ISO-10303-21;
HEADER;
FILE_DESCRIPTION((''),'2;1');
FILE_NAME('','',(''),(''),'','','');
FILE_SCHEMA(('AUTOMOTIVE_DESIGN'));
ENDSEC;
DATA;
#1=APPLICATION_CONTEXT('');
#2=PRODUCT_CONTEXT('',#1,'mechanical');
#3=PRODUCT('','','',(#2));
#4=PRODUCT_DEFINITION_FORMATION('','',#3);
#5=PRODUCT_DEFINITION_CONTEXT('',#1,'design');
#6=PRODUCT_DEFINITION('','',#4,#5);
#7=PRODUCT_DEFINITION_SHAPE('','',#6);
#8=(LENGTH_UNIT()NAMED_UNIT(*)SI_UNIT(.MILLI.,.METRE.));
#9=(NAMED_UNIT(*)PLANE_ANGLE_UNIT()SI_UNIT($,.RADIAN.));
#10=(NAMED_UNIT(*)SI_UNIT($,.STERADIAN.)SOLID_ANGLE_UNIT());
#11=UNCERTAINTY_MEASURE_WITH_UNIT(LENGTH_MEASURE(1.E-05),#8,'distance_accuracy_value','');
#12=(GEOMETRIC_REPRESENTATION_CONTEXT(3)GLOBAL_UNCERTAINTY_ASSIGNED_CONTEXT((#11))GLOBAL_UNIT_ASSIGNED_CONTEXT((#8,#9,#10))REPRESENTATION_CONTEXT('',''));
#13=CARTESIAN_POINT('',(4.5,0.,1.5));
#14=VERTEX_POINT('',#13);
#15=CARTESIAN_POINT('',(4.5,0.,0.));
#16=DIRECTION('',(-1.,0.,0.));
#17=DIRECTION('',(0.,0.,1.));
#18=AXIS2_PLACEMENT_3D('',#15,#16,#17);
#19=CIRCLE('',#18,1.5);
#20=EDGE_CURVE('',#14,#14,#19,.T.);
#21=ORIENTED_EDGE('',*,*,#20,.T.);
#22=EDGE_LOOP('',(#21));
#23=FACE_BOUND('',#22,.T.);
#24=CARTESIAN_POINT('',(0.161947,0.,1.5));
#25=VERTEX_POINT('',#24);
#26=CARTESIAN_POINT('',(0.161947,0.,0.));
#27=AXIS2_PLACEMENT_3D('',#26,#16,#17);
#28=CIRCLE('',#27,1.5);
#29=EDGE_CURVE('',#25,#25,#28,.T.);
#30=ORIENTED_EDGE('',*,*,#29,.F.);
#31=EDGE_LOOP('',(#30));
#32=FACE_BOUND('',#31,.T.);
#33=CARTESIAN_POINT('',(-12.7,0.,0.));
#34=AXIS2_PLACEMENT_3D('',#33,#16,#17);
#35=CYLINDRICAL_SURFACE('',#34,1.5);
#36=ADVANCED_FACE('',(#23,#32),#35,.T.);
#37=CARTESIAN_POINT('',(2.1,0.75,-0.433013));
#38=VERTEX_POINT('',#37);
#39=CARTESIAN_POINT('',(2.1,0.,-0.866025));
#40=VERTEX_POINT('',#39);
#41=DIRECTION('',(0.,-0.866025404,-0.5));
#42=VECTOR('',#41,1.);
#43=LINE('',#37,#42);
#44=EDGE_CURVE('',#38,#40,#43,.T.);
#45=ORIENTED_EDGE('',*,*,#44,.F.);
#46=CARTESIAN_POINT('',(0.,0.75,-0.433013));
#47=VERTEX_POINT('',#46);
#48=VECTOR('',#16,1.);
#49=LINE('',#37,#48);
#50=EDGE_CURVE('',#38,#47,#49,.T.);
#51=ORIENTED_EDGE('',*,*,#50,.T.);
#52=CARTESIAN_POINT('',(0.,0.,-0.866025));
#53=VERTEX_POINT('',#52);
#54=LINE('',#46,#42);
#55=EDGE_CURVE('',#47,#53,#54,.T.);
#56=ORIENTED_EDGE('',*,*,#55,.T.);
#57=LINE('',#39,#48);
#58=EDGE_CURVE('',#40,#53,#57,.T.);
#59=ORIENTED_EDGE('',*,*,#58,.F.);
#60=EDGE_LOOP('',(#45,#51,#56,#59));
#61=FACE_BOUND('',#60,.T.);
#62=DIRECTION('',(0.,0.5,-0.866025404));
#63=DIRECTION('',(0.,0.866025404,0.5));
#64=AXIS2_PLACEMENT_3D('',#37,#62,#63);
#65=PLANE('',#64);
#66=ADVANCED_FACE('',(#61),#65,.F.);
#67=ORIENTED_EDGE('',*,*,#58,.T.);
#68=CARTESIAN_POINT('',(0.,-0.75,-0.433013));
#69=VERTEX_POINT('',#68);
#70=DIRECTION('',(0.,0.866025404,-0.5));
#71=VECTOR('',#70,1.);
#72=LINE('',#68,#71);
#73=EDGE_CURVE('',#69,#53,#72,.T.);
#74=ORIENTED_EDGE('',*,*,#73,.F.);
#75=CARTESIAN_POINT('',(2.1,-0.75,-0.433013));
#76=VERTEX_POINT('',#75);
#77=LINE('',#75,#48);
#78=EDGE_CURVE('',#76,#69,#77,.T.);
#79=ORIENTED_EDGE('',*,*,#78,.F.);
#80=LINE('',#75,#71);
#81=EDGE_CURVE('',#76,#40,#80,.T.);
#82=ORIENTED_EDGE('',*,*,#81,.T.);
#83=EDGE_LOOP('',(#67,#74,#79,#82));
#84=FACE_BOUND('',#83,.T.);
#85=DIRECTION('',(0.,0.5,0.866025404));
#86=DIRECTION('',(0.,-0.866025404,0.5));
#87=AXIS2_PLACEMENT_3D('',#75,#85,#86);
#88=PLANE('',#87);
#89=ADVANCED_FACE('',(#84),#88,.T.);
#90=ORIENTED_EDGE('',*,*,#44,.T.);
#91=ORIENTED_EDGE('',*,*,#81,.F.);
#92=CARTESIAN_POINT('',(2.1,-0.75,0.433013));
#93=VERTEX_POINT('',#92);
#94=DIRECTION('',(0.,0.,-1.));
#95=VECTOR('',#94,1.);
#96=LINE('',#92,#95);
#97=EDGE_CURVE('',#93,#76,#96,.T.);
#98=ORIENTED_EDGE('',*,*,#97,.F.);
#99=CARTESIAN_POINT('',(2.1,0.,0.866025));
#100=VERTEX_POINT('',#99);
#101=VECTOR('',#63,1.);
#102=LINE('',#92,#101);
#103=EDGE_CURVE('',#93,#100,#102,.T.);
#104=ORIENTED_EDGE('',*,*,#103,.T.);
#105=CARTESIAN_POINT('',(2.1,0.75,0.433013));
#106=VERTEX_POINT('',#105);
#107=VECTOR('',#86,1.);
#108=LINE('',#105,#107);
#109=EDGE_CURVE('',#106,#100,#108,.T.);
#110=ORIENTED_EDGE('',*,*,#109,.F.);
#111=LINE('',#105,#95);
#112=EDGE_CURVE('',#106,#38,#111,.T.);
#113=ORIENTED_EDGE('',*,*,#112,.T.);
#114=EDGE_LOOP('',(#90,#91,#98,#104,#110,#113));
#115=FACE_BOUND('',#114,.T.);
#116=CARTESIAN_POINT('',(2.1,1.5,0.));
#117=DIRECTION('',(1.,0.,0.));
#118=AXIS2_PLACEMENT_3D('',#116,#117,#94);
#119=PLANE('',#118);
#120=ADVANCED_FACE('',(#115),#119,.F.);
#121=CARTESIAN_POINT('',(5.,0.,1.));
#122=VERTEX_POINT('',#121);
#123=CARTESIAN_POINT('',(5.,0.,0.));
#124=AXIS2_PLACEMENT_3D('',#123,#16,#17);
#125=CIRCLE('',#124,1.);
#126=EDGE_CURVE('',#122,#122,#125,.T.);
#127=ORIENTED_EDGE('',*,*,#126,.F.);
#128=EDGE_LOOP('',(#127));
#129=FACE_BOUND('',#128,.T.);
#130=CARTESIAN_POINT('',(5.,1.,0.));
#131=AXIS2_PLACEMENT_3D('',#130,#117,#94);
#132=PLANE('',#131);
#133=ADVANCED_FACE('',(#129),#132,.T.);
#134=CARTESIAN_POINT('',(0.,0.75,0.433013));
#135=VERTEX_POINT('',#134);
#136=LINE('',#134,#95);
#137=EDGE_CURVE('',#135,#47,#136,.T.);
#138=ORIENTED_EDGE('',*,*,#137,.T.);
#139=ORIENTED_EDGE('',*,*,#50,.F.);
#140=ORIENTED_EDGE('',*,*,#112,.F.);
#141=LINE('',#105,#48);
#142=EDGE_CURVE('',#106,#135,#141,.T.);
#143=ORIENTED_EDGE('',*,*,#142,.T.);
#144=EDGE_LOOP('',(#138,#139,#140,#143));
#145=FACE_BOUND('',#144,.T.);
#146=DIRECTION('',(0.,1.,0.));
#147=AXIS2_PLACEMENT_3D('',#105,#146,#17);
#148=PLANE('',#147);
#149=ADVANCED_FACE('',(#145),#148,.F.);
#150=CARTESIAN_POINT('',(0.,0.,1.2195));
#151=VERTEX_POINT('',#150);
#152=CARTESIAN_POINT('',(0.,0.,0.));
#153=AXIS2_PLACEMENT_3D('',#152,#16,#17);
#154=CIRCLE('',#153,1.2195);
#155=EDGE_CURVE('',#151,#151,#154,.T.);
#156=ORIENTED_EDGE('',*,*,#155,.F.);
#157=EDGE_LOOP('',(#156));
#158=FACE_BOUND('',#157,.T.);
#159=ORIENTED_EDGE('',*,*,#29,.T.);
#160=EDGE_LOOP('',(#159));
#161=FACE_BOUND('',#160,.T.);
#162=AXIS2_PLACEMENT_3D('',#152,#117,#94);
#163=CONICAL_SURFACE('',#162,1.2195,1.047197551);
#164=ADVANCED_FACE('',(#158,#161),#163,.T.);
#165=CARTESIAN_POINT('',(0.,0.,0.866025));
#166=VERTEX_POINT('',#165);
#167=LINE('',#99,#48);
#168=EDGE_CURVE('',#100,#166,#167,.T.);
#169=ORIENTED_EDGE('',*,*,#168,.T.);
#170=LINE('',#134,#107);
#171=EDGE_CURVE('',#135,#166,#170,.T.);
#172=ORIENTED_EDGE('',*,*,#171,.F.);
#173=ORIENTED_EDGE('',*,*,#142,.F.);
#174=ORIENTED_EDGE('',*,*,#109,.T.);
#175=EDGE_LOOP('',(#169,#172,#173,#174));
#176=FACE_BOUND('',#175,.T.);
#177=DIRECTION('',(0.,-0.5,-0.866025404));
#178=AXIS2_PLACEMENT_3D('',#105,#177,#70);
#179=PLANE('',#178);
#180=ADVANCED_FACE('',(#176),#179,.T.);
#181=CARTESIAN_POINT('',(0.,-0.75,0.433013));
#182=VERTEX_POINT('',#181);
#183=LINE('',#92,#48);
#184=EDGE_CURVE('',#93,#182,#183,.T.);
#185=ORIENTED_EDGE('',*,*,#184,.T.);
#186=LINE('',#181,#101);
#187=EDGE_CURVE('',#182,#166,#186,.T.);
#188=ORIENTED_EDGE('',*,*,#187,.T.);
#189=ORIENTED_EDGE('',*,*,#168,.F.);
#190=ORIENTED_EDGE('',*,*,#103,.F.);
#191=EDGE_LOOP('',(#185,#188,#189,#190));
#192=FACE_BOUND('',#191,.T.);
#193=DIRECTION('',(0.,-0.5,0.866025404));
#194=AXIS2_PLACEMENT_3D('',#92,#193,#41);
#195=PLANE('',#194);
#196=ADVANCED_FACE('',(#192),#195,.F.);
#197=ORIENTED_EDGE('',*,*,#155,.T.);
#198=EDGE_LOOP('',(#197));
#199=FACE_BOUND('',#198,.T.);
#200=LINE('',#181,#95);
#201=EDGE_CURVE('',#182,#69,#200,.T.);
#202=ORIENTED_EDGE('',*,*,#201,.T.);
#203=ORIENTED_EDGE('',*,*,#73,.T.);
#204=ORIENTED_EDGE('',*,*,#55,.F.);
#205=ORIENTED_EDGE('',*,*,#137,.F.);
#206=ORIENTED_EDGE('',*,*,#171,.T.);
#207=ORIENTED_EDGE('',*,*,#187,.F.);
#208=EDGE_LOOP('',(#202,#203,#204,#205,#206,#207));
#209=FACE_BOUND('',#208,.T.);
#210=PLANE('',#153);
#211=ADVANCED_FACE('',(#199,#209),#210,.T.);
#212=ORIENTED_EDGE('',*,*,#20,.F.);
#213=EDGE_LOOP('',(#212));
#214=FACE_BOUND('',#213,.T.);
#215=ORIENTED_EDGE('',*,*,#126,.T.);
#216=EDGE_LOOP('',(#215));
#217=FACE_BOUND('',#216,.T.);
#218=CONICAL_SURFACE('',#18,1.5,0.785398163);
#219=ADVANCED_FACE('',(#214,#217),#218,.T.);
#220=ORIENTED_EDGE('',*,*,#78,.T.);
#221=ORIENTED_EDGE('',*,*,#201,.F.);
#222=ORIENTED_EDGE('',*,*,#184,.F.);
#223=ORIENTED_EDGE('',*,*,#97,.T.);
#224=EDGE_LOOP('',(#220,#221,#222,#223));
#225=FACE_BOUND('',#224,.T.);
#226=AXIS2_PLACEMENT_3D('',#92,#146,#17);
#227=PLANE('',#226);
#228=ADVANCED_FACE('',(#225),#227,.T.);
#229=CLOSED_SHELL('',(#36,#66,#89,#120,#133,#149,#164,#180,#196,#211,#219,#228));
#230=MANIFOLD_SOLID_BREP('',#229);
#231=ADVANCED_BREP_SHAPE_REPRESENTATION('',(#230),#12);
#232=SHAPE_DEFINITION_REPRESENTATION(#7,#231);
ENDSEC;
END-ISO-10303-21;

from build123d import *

# Parameters (mm, degrees)
HEX_2_DEPTH = 2.1


with BuildPart() as part:
    # BodySke → BaseBody (revolve)
    with BuildSketch(Plane.XY, mode=Mode.PRIVATE) as basebody_sk:
        Polygon((0, 0), (0, 1.2195), (0.161946751, 1.5), (4.5, 1.5), (5, 1), (5, 0), align=None)
    revolve(basebody_sk.sketch.rotate(Axis((-12.7, 0, 0), (1, 0, 0)), 90), axis=Axis((-12.7, 0, 0), (1, 0, 0)))

    # Sketch2 → Hex 2 (cut)
    with BuildSketch(Plane.ZY):
        Polygon((0.433012702, 0.75), (-0.433012702, 0.75), (-0.866025404, 0), (-0.433012702, -0.75), (0.433012702, -0.75), (0.866025404, 0), align=None)
    extrude(amount=-HEX_2_DEPTH, mode=Mode.SUBTRACT)


solid = part.part
